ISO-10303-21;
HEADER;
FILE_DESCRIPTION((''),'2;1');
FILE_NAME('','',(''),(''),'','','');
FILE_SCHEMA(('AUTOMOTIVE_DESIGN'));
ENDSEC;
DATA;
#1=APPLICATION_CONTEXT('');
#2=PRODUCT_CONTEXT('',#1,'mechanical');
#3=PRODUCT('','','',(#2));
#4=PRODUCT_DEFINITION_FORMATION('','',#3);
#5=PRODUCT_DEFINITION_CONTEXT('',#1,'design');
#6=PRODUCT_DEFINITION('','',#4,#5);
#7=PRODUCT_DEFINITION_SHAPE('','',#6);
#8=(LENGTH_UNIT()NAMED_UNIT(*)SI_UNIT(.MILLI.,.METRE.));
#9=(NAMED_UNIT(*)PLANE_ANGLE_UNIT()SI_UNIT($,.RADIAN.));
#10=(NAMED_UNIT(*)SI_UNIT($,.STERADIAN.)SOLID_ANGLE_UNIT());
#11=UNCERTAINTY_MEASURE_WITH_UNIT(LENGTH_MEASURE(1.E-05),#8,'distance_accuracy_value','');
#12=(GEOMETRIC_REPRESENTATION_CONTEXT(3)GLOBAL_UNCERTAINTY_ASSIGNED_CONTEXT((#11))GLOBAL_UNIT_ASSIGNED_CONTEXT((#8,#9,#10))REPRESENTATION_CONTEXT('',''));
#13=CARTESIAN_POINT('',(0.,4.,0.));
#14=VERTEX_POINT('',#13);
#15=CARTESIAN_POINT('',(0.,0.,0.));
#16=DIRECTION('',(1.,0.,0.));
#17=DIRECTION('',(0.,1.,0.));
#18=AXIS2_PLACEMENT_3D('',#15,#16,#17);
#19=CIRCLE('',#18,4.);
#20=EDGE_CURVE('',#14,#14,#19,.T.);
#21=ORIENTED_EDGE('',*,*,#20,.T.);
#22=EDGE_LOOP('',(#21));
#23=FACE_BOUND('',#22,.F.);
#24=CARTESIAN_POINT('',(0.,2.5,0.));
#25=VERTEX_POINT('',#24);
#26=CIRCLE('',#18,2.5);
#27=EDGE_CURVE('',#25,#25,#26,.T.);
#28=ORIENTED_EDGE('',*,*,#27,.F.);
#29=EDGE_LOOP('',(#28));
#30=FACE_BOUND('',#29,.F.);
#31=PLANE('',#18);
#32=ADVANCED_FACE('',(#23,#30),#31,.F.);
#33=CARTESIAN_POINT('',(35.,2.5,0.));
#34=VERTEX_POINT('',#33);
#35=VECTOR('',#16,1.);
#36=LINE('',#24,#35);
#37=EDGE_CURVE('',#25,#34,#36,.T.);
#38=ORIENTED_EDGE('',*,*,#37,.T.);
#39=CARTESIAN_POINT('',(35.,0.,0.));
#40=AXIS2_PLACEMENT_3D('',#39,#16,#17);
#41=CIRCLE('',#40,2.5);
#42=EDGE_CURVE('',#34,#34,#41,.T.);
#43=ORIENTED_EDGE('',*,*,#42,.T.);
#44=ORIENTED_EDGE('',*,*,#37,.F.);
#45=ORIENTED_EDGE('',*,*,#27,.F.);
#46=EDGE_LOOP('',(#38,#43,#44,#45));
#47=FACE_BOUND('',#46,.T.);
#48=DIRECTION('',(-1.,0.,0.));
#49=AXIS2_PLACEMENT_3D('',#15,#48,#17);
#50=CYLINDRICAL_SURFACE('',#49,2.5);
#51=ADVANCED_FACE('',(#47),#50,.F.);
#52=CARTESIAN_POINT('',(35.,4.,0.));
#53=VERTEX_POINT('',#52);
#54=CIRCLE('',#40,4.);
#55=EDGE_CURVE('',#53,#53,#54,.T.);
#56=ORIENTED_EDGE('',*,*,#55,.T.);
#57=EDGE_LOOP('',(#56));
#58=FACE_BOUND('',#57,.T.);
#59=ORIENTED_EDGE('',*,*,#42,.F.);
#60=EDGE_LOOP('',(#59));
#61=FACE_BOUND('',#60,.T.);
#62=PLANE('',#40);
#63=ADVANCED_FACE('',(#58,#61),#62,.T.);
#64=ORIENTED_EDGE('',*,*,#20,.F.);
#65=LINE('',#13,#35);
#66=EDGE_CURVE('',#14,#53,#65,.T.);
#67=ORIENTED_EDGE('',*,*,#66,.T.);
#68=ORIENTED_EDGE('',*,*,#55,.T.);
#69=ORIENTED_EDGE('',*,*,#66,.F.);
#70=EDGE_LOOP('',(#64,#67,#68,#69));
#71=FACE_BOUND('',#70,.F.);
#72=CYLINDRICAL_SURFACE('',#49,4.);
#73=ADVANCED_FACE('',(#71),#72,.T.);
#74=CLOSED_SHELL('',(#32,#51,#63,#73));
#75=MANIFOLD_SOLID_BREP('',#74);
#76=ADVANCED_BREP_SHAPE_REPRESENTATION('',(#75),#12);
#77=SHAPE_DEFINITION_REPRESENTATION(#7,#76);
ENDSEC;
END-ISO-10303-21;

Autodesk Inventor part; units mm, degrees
ref_plane "YZ Plane" through (0, 0, 0) normal (1, 0, 0) x (0, 1, 0)
ref_plane "XZ Plane" through (0, 0, 0) normal (0, 1, 0) x (-1, 0, 0)
ref_plane "XY Plane" through (0, 0, 0) normal (0, 0, 1) x (1, 0, 0)
sketch "Sketch1" plane through (0, 0, 0) normal (1, 0, 0) x (0, 1, 0)
  circle A0 centre (0, 0) radius 4
  circle A1 centre (0, 0) radius 2.5
  dimension "d0" = 8
  dimension "d1" = 5
extrude "Extrusion1" add sketch "Sketch1" along normal blind 35
properties part number "Long Nut" material "Stainless Steel"
